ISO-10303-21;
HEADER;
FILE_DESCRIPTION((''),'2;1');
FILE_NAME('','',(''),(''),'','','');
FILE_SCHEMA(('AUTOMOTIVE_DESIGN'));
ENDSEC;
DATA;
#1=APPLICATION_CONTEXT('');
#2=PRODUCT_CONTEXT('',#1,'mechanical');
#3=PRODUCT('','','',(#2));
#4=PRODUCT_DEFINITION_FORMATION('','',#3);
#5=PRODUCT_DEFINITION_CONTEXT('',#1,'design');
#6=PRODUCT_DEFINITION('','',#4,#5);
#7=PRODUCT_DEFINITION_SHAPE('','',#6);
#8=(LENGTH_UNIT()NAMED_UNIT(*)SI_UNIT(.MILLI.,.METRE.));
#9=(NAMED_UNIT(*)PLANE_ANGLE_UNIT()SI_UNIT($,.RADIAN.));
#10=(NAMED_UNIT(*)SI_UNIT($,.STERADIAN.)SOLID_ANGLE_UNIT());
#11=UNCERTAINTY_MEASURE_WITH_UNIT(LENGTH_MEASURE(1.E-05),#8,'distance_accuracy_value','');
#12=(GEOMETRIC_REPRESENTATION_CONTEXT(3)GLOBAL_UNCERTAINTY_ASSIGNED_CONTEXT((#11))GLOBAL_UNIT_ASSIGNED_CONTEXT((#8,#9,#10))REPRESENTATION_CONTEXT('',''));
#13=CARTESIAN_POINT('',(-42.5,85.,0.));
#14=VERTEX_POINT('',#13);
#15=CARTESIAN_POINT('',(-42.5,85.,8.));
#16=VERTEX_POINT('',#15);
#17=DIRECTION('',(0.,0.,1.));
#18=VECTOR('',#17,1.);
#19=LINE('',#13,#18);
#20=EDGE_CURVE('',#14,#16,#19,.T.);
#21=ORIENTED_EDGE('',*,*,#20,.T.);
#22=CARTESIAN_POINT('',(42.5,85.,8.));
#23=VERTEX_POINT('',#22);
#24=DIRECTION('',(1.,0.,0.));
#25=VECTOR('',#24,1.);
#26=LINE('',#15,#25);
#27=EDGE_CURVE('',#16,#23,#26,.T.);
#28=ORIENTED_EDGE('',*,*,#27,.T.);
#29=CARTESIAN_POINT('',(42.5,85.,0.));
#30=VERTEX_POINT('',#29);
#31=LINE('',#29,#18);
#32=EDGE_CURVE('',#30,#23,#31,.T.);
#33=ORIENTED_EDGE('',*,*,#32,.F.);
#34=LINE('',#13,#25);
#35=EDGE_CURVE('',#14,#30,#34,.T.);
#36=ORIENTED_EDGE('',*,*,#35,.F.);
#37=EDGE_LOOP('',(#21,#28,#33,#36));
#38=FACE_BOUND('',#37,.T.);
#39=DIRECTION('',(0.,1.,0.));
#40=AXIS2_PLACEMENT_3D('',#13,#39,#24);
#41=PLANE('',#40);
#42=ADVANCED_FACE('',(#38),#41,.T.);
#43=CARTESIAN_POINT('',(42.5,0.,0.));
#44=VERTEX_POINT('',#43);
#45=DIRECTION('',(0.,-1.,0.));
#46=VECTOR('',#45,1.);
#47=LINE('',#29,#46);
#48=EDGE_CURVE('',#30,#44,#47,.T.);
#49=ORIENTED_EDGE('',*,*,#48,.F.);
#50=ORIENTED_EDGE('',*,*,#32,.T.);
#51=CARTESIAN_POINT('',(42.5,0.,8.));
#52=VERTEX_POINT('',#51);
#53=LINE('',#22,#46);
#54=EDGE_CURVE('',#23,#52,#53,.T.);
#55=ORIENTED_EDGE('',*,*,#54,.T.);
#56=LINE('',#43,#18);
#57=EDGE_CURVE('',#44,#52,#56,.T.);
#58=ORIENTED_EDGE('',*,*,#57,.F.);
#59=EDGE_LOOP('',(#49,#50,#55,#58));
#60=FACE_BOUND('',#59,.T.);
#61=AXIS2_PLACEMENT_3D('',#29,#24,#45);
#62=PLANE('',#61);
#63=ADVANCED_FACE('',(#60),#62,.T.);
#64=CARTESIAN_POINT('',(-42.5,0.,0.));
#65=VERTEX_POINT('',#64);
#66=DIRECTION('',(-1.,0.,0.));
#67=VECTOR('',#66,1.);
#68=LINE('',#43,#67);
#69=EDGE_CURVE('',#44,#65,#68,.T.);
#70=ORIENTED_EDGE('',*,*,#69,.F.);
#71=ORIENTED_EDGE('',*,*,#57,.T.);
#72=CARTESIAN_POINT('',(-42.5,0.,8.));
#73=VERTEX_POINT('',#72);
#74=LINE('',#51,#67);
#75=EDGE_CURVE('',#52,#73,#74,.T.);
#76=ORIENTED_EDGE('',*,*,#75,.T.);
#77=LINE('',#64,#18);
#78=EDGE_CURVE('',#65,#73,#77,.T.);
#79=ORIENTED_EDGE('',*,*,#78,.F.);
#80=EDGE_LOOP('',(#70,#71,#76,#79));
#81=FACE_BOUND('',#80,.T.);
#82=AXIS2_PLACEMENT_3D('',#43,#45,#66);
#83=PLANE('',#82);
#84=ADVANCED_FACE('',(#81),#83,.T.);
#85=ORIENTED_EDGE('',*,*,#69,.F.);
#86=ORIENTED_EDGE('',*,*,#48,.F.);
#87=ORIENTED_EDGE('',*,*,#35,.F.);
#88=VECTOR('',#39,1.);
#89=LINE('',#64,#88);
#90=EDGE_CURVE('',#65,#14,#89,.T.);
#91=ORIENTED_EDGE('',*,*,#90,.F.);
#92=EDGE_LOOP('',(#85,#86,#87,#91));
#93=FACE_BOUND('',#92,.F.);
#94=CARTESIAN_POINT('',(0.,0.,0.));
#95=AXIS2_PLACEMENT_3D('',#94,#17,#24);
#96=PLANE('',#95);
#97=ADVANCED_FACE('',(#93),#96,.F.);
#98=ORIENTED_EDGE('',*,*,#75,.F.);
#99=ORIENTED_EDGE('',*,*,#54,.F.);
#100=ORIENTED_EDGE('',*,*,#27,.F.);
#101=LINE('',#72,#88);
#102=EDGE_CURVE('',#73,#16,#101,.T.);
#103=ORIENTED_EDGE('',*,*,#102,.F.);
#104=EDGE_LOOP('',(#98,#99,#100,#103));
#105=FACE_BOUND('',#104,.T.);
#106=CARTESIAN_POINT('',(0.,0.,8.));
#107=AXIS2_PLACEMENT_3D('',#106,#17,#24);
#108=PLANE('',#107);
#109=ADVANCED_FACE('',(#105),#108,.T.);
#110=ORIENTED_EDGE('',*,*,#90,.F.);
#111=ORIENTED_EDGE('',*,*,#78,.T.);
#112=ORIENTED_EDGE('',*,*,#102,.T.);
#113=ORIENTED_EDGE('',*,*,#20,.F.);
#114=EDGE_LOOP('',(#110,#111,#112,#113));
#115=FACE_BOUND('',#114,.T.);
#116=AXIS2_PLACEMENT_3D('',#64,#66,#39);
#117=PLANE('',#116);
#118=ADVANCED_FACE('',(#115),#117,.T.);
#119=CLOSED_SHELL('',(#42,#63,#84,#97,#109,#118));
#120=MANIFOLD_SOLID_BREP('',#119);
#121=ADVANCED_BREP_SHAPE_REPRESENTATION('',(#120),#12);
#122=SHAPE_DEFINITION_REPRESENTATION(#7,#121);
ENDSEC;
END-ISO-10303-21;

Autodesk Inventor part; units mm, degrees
ref_plane "YZ Plane" through (0, 0, 0) normal (1, 0, 0) x (0, 1, 0)
ref_plane "XZ Plane" through (0, 0, 0) normal (0, 1, 0) x (-1, 0, 0)
ref_plane "XY Plane" through (0, 0, 0) normal (0, 0, 1) x (1, 0, 0)
sketch "Sketch1" plane through (0, 0, 0) normal (0, 0, 1) x (1, 0, 0)
  line L0 (-42.5, 85) -> (42.5, 85)
  line L1 (42.5, 85) -> (42.5, 0)
  line L2 (42.5, 0) -> (-42.5, 0)
  line L3 (-42.5, 0) -> (-42.5, 85)
  point P0 (0, 0)
  point P1 (0, 0)
  dimension "d0" = 85
  dimension "d4" = 85
extrude "Plate1" add sketch "Sketch1" along normal blind 8
equation "\"d4\" = d0"
equation "\"d10\" = Thickness"
equation "\"BendReliefWidth\" = Thickness"
equation "\"BendReliefDepth\" = 0.5 * Thickness"
equation "\"CornerReliefSize\" = 4 * Thickness"
equation "\"MinimumRemnant\" = 2 * Thickness"
equation "\"TransitionRadius\" = BendRadius"
equation "\"JacobiRadiusSize\" = BendRadius"
equation "\"GapSize\" = Thickness"
equation "\"Thickness\" = 8"
equation "\"BendRadius\" = 2.75"
properties part number "St3 16mm die stops X4" material "Stainless Steel"
